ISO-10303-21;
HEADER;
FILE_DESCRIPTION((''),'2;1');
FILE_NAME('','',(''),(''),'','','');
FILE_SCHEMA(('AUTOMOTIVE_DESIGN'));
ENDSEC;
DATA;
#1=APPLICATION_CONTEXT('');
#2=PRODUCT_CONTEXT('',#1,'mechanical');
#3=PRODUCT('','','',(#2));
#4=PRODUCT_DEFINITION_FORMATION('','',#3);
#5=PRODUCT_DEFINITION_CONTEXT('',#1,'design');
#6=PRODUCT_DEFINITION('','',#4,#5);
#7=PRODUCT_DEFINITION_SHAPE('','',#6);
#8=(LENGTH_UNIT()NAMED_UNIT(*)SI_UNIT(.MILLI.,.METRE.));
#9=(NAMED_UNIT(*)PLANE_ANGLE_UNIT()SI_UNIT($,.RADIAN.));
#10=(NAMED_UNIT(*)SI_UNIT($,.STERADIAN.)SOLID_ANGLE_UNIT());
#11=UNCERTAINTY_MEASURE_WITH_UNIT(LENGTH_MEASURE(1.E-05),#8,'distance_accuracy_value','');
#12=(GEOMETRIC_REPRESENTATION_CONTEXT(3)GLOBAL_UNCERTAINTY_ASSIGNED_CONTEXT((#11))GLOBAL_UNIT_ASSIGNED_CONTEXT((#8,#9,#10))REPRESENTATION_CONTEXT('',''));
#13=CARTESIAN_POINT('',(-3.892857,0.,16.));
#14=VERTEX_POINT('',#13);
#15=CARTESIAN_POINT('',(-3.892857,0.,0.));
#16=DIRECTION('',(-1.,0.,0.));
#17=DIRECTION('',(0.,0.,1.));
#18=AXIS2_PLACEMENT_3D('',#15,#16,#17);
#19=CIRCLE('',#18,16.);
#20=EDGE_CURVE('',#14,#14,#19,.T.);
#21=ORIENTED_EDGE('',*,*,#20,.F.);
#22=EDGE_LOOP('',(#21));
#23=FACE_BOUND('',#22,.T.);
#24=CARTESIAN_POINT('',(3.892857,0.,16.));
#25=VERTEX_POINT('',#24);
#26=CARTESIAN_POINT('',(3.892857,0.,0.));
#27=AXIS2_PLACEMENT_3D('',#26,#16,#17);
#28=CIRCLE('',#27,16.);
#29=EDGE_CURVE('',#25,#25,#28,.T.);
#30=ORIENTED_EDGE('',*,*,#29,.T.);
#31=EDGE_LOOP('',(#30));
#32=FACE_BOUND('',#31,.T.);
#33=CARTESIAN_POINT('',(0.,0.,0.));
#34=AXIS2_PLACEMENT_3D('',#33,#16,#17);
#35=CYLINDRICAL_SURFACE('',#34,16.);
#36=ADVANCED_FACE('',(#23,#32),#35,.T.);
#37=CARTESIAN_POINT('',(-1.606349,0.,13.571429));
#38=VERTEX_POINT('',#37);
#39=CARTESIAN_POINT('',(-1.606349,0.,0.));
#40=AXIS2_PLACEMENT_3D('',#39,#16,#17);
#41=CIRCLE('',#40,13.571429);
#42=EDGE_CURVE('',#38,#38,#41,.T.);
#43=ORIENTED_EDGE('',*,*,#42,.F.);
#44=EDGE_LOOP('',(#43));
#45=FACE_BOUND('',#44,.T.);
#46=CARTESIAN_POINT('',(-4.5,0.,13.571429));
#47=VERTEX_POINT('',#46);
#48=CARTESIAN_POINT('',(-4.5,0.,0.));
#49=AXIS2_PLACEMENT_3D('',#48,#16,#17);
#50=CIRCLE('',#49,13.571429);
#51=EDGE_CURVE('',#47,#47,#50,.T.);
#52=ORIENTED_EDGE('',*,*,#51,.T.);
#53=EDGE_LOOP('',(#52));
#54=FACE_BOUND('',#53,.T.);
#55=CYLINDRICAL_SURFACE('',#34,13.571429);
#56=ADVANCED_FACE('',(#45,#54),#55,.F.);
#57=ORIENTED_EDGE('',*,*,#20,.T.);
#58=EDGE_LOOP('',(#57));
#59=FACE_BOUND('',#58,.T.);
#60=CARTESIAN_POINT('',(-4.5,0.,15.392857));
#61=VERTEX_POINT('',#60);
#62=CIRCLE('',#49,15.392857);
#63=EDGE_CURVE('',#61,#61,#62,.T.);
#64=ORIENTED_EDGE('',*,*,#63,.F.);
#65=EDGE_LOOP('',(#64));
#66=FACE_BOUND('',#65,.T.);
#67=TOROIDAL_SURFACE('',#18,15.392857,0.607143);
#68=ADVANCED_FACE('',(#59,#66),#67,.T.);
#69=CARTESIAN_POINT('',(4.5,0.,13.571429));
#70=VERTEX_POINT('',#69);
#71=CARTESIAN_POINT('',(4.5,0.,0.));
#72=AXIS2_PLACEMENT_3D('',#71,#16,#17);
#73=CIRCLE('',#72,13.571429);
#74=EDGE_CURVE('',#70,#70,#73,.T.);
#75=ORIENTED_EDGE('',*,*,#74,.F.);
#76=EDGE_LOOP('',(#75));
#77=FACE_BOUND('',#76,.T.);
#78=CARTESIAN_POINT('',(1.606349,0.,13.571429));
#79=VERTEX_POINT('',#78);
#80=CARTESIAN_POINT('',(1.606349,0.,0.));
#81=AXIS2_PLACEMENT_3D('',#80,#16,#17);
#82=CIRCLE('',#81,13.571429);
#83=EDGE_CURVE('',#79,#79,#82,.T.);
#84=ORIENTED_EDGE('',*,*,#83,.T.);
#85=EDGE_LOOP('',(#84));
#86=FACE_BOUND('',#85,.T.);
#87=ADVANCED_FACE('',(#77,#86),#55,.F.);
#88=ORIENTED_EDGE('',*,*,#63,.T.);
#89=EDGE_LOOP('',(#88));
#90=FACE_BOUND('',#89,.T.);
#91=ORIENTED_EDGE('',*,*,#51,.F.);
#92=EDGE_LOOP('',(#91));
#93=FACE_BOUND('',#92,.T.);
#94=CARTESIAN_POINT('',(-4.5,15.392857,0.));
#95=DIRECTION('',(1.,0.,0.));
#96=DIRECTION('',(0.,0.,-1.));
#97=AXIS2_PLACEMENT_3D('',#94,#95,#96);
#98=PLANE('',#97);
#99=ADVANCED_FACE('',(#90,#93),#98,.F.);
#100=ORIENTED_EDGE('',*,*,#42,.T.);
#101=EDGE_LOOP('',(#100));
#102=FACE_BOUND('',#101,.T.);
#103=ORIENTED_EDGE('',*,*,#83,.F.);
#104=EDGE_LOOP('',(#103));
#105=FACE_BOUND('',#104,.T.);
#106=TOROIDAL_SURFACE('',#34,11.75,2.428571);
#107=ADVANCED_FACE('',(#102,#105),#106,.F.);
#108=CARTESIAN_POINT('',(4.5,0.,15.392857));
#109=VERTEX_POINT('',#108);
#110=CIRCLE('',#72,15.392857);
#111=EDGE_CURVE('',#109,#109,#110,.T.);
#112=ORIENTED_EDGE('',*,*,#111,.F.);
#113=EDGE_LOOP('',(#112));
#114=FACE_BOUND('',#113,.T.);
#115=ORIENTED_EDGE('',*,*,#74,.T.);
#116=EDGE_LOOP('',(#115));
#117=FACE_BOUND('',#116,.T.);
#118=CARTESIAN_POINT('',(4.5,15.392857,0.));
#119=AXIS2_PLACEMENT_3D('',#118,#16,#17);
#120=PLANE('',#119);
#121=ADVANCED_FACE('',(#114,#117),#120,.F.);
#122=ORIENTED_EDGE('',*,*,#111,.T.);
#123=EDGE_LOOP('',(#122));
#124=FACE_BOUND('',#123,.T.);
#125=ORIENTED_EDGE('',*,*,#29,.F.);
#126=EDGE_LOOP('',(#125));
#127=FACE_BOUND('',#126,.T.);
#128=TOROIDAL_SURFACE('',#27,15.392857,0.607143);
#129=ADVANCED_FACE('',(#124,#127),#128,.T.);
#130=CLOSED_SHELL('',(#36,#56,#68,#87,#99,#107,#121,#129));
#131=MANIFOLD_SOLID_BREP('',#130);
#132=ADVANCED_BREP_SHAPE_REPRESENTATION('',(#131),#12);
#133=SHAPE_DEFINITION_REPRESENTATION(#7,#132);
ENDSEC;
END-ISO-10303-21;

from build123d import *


with BuildPart() as part:
    # Esquisse1 → Base-Révolution (revolve)
    with BuildSketch(Plane.XY, mode=Mode.PRIVATE) as base_r_volution_sk:
        with BuildLine():
            Line((-3.892857143, 16), (3.892857143, 16))
            ThreePointArc((3.892857143, 16), (4.322171974, 15.822171974), (4.5, 15.392857143))
            Line((4.5, 15.392857143), (4.5, 13.571428571))
            Line((4.5, 13.571428571), (1.60634901, 13.571428571))
            ThreePointArc((1.60634901, 13.571428571), (0, 14.178571429), (-1.60634901, 13.571428571))
            Line((-1.60634901, 13.571428571), (-4.5, 13.571428571))
            Line((-4.5, 13.571428571), (-4.5, 15.392857143))
            ThreePointArc((-4.5, 15.392857143), (-4.322171974, 15.822171974), (-3.892857143, 16))
        make_face()
    revolve(base_r_volution_sk.sketch.rotate(Axis((0, 0, 0), (1, 0, 0)), 90), axis=Axis((0, 0, 0), (1, 0, 0)))


solid = part.part
